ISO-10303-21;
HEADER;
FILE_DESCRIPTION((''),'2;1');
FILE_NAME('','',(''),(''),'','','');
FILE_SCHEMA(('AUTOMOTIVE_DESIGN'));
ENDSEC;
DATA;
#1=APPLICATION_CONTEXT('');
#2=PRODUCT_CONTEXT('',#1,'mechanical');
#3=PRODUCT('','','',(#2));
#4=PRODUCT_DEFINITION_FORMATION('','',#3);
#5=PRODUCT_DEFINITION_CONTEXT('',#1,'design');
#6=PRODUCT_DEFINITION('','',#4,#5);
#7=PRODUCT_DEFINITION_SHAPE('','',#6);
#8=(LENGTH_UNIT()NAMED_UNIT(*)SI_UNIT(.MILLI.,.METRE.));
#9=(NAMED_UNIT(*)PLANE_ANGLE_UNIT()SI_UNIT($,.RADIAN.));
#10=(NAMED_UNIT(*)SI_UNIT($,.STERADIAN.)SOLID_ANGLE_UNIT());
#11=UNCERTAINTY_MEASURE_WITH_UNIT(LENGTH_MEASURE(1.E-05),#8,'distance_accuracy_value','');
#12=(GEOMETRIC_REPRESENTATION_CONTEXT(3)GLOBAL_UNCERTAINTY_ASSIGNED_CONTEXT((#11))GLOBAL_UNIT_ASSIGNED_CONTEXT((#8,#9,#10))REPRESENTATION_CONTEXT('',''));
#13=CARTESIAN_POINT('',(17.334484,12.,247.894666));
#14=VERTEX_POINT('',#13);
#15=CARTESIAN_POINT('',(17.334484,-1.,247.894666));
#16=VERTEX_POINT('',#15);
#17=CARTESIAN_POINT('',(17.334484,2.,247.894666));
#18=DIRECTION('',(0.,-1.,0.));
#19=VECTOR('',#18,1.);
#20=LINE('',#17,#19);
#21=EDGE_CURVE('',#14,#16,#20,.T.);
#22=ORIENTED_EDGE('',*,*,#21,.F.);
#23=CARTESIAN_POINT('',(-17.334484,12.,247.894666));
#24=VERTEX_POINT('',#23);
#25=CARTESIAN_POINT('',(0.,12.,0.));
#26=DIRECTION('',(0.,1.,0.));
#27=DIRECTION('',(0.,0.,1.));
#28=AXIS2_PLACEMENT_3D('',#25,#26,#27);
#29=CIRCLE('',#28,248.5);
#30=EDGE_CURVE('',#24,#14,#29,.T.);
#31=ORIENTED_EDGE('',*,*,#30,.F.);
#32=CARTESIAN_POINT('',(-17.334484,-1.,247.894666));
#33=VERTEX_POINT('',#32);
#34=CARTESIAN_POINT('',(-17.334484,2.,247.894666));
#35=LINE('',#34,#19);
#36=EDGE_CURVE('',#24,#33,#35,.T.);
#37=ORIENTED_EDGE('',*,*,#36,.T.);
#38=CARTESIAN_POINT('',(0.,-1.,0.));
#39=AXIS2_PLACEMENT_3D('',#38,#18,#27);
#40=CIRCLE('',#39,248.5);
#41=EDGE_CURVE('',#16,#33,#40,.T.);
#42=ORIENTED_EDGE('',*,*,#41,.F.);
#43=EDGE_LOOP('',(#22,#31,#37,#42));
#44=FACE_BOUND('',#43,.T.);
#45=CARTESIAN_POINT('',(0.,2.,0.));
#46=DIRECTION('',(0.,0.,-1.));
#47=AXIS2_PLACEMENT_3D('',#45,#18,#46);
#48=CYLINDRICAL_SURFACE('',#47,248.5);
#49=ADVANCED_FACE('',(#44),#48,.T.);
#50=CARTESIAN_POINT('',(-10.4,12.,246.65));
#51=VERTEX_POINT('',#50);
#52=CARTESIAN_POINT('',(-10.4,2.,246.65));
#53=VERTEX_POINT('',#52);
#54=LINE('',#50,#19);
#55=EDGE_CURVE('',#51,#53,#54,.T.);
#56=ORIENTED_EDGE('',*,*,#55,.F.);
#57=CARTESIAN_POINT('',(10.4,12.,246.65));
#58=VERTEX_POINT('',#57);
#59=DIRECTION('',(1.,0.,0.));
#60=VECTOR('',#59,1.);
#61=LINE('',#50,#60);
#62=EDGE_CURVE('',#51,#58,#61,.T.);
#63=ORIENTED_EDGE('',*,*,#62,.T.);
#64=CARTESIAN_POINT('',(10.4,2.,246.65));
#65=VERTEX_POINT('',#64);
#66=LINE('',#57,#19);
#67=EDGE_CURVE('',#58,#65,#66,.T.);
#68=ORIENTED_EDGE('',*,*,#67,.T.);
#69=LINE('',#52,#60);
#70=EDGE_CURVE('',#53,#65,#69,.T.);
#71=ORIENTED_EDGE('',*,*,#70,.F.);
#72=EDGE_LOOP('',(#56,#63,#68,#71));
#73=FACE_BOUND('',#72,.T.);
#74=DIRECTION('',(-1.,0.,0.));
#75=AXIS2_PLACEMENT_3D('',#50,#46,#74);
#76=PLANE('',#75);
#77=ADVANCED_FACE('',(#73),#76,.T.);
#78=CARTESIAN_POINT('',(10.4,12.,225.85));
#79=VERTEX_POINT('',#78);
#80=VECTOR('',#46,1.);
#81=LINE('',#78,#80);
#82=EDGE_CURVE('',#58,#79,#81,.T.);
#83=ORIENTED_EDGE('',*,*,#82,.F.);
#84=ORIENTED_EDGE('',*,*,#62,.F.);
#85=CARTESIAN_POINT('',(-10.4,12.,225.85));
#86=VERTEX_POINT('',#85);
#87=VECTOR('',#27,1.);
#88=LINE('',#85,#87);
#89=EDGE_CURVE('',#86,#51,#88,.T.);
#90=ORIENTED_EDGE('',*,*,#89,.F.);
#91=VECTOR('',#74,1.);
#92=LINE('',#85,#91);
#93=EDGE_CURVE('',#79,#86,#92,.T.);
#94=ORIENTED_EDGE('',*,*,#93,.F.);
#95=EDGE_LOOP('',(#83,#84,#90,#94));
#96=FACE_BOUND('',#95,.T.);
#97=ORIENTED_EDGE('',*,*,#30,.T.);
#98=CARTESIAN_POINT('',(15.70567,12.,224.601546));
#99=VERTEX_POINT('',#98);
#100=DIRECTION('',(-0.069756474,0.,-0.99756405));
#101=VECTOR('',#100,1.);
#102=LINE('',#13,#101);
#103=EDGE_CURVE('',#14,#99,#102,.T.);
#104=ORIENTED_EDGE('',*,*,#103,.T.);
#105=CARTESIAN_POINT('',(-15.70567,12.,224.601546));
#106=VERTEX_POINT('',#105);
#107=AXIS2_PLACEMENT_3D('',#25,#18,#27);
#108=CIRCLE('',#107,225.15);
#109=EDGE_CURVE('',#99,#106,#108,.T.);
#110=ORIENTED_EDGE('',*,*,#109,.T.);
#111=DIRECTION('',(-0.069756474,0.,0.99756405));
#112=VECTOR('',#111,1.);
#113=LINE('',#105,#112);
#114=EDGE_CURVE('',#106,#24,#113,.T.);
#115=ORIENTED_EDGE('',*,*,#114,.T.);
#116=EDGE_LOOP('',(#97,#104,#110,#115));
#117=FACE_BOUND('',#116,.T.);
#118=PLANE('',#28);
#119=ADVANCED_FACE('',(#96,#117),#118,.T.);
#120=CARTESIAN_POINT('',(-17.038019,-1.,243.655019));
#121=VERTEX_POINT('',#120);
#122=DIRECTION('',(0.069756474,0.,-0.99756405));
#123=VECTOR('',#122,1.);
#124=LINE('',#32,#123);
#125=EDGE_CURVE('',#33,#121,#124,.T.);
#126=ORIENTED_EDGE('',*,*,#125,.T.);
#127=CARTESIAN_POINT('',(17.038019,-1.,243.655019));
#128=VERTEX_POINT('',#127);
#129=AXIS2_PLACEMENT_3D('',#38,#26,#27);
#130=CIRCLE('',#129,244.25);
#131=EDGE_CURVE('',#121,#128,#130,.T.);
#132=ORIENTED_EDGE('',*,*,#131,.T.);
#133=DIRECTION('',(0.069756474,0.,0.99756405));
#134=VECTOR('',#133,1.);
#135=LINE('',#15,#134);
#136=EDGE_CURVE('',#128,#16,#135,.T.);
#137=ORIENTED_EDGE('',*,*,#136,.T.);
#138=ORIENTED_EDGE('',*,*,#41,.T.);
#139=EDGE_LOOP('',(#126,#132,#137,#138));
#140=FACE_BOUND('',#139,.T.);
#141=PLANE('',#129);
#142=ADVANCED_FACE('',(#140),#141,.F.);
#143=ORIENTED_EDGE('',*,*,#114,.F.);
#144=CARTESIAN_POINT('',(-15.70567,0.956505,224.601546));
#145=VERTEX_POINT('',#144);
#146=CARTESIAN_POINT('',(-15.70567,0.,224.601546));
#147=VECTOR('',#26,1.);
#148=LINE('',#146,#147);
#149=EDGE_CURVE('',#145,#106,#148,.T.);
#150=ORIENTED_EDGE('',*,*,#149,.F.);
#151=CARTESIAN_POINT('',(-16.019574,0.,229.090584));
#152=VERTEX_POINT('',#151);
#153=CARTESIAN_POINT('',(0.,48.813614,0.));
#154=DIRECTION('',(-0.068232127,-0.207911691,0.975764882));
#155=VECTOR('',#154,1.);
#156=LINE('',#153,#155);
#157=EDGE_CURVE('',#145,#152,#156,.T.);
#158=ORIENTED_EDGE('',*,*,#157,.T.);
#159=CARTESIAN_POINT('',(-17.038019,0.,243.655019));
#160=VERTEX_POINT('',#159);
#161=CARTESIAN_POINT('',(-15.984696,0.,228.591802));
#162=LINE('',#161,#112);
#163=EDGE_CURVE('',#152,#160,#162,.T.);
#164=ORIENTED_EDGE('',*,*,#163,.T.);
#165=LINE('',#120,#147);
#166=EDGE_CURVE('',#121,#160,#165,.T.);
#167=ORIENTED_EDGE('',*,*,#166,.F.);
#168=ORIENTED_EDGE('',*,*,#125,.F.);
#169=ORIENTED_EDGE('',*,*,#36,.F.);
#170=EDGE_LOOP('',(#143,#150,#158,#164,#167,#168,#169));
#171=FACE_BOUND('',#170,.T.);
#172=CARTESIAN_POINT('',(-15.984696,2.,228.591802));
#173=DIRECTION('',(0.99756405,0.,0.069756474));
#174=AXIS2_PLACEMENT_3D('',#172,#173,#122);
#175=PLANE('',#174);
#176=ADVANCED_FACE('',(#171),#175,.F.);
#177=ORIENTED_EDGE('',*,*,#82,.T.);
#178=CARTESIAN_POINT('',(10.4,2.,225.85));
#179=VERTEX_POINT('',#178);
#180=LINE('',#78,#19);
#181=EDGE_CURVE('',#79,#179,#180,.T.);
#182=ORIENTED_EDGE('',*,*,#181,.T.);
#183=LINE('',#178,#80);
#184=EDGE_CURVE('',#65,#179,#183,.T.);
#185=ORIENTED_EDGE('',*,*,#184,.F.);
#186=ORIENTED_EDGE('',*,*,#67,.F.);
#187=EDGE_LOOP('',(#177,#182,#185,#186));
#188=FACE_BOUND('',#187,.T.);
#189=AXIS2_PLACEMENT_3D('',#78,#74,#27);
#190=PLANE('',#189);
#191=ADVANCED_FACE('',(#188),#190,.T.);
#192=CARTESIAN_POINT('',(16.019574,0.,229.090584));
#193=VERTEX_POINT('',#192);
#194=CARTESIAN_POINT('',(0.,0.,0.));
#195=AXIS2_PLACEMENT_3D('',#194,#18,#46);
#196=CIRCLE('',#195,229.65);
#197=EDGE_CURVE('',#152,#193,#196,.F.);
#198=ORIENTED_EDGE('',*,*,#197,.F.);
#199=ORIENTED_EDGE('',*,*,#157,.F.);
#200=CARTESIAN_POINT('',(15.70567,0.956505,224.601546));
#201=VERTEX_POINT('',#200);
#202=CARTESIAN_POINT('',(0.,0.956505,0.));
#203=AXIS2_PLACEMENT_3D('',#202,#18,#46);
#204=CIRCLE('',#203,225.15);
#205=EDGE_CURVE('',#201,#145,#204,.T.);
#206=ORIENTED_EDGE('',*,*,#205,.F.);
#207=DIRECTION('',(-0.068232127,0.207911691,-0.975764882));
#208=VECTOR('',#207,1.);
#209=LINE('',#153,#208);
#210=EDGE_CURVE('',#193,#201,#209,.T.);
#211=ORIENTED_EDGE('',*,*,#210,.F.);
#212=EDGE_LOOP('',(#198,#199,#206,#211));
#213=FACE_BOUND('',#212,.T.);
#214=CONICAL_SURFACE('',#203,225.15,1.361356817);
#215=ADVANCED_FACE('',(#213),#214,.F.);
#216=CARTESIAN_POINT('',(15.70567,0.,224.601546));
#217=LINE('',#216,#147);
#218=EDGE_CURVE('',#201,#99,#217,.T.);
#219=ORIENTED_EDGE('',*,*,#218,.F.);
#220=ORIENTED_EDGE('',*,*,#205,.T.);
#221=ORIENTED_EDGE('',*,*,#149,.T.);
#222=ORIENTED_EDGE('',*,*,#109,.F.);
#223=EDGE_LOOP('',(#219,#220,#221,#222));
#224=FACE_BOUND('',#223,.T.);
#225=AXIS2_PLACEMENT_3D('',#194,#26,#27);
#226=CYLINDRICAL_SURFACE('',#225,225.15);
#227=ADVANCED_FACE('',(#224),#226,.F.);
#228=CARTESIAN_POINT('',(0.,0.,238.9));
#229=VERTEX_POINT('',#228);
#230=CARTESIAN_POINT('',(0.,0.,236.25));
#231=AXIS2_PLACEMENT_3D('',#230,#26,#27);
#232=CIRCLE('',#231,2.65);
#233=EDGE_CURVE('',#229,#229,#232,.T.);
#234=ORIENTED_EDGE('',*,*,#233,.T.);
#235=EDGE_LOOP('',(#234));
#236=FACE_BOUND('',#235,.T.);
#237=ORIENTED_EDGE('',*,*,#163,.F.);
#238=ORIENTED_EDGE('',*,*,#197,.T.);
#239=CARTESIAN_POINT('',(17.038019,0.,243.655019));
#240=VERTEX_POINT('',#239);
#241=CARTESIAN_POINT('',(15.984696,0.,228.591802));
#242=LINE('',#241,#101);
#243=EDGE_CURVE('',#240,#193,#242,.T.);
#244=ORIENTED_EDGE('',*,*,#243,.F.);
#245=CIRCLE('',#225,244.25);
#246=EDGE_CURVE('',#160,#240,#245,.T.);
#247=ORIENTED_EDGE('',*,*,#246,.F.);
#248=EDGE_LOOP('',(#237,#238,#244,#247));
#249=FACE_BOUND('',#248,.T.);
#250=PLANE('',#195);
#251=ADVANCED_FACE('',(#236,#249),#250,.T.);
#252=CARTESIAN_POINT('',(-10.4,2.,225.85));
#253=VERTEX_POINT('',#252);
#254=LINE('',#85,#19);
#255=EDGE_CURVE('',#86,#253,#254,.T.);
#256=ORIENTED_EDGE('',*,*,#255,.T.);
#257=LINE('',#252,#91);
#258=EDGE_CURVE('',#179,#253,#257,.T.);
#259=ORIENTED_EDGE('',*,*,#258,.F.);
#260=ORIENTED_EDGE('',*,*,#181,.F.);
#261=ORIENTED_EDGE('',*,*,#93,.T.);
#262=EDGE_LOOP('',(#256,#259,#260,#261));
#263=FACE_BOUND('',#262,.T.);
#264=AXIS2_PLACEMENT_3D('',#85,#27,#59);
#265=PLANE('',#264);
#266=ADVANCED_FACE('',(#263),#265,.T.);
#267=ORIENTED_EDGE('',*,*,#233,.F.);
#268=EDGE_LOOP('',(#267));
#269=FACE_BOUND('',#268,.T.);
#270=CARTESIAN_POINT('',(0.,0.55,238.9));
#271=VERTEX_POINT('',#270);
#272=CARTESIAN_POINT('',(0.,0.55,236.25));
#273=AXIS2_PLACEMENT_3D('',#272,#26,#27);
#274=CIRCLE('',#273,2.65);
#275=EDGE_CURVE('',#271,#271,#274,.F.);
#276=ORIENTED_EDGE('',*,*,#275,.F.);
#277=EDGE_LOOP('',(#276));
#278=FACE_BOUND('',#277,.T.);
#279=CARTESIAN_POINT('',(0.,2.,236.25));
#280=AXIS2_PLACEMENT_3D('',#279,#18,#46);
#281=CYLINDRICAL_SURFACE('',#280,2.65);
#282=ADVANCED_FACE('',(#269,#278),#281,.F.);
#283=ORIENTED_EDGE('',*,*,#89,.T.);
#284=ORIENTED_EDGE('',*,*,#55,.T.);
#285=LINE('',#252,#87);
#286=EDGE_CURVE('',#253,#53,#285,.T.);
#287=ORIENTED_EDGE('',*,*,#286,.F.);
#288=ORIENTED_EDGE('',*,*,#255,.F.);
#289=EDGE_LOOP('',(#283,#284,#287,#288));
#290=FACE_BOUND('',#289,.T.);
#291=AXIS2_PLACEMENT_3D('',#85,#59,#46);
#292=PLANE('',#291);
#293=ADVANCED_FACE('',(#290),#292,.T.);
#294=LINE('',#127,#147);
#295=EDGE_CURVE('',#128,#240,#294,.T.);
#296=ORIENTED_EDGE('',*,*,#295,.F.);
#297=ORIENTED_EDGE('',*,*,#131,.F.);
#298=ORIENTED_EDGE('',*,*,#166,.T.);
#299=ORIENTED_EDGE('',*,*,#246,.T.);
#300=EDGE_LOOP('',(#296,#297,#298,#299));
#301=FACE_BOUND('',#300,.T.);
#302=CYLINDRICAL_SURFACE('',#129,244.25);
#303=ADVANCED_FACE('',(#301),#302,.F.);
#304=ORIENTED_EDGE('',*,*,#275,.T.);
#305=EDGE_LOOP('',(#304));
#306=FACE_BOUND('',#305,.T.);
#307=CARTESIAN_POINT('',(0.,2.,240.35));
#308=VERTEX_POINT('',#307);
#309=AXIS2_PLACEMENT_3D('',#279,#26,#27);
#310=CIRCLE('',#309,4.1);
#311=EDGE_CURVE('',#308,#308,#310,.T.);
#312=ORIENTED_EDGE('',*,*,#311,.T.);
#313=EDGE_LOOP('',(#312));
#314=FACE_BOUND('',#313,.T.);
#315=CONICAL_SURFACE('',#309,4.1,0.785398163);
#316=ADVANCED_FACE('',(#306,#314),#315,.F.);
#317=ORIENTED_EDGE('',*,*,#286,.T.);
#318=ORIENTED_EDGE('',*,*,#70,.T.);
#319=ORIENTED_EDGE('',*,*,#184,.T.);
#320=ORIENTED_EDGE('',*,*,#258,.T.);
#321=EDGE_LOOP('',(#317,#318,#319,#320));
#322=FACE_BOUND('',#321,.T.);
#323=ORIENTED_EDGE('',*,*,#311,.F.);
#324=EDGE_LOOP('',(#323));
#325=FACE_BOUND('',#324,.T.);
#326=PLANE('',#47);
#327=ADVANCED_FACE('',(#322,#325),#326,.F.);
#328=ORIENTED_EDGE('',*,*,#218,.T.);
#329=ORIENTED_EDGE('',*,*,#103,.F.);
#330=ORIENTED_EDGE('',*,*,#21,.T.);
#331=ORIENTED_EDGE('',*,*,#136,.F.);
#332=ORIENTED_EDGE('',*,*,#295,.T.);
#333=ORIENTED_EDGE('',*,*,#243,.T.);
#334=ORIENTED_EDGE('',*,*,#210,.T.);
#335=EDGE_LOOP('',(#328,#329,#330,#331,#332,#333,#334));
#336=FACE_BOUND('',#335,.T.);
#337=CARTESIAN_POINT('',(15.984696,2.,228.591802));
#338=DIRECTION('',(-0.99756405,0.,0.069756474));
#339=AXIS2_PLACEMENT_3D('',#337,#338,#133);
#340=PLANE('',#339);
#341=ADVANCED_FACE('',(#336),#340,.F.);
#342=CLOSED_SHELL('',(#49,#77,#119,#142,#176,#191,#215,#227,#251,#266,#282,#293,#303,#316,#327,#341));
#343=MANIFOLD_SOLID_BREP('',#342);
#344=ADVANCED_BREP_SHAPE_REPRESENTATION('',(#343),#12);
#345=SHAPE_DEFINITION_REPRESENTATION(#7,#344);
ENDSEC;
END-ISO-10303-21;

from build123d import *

# Parameters (mm, degrees)
SKETCH2_R           = 2.65
BOSS_EXTRUDE1_DEPTH = 2
BOSS_EXTRUDE2_DEPTH = 2
CHAMFER1_SIZE       = 4.5
CHAMFER1_SIZE2      = 0.956504528
BOSS_EXTRUDE3_START = 1
BOSS_EXTRUDE3_DEPTH = 1
SKETCH21_W          = 20.8
SKETCH21_H          = 20.8
BOSS_EXTRUDE4_DEPTH = 10


with BuildPart() as part:
    # Sketch2 → Boss-Extrude1 (new body)
    with BuildSketch(Plane(origin=(0, 0, 0), x_dir=(1, 0, 0), z_dir=(0, 1, 0))):
        with BuildLine():
            Line((-15.984695958, -228.591802117), (-17.334483725, -247.89466649))
            ThreePointArc((-17.334483725, -247.89466649), (0, -248.5), (17.334483725, -247.89466649))
            Line((17.334483725, -247.89466649), (15.984695958, -228.591802117))
            ThreePointArc((15.984695958, -228.591802117), (0, -229.15), (-15.984695958, -228.591802117))
        make_face()
        with Locations(Location((0, -236.25, 0), (0, 0, 270))):
            Circle(SKETCH2_R, mode=Mode.SUBTRACT)
    extrude(amount=BOSS_EXTRUDE1_DEPTH)

    # Sketch3 → Boss-Extrude2 (add)
    with BuildSketch(Plane(origin=(0, 0, 0), x_dir=(1, 0, 0), z_dir=(0, 1, 0))):
        with BuildLine():
            Line((-15.705670063, -224.601545916), (-15.984695958, -228.591802117))
            ThreePointArc((-15.984695958, -228.591802117), (0, -229.15), (15.984695958, -228.591802117))
            Line((15.984695958, -228.591802117), (15.705670063, -224.601545916))
            ThreePointArc((15.705670063, -224.601545916), (0, -225.15), (-15.705670063, -224.601545916))
        make_face()
    extrude(amount=BOSS_EXTRUDE2_DEPTH)

    # Chamfer1
    chamfer1_edges = [part.edges().sort_by_distance(p)[0] for p in [
        (0, 0, 225.15),
    ]]
    chamfer1_side = [part.faces().sort_by_distance(p)[0] for p in [
        (16.100023839, 0, 236.277479174),
    ]]
    chamfer(chamfer1_edges, length=CHAMFER1_SIZE, length2=CHAMFER1_SIZE2, reference=chamfer1_side[0])

    # Sketch4 → Boss-Extrude3 (add)
    with BuildSketch(Plane.XZ.offset(BOSS_EXTRUDE3_START)):
        with BuildLine():
            Line((-17.334483725, 247.89466649), (-17.038018712, 243.655019276))
            ThreePointArc((-17.038018712, 243.655019276), (0, 244.25), (17.038018712, 243.655019276))
            Line((17.038018712, 243.655019276), (17.334483725, 247.89466649))
            ThreePointArc((17.334483725, 247.89466649), (0, 248.5), (-17.334483725, 247.89466649))
        make_face()
    extrude(amount=-BOSS_EXTRUDE3_DEPTH)

    # Sketch20 → CSK for M3.5 Flat Head Machine Screw2 (revolve, cut)
    with BuildSketch(Plane(origin=(0, 2, 236.25), x_dir=(0, 0, 1), z_dir=(1, 0, 0))):
        Polygon((0, 0), (0, 3), (1.85, 3), (1.85, 2.25), (4.1, 0), align=None)
    revolve(axis=Axis((0, 8.35, 236.25), (0, -1, 0)), mode=Mode.SUBTRACT)

    # Sketch21 → Boss-Extrude4 (add)
    with BuildSketch(Plane(origin=(0, 2, 0), x_dir=(1, 0, 0), z_dir=(0, 1, 0))):
        with BuildLine():
            Line((17.334483725, -247.89466649), (15.705670063, -224.601545916))
            ThreePointArc((15.705670063, -224.601545916), (0, -225.15), (-15.705670063, -224.601545916))
            Line((-15.705670063, -224.601545916), (-17.334483725, -247.89466649))
            ThreePointArc((-17.334483725, -247.89466649), (0, -248.5), (17.334483725, -247.89466649))
        make_face()
        with Locations((0, -236.25)):
            Rectangle(SKETCH21_W, SKETCH21_H, mode=Mode.SUBTRACT)
    extrude(amount=BOSS_EXTRUDE4_DEPTH)


solid = part.part
